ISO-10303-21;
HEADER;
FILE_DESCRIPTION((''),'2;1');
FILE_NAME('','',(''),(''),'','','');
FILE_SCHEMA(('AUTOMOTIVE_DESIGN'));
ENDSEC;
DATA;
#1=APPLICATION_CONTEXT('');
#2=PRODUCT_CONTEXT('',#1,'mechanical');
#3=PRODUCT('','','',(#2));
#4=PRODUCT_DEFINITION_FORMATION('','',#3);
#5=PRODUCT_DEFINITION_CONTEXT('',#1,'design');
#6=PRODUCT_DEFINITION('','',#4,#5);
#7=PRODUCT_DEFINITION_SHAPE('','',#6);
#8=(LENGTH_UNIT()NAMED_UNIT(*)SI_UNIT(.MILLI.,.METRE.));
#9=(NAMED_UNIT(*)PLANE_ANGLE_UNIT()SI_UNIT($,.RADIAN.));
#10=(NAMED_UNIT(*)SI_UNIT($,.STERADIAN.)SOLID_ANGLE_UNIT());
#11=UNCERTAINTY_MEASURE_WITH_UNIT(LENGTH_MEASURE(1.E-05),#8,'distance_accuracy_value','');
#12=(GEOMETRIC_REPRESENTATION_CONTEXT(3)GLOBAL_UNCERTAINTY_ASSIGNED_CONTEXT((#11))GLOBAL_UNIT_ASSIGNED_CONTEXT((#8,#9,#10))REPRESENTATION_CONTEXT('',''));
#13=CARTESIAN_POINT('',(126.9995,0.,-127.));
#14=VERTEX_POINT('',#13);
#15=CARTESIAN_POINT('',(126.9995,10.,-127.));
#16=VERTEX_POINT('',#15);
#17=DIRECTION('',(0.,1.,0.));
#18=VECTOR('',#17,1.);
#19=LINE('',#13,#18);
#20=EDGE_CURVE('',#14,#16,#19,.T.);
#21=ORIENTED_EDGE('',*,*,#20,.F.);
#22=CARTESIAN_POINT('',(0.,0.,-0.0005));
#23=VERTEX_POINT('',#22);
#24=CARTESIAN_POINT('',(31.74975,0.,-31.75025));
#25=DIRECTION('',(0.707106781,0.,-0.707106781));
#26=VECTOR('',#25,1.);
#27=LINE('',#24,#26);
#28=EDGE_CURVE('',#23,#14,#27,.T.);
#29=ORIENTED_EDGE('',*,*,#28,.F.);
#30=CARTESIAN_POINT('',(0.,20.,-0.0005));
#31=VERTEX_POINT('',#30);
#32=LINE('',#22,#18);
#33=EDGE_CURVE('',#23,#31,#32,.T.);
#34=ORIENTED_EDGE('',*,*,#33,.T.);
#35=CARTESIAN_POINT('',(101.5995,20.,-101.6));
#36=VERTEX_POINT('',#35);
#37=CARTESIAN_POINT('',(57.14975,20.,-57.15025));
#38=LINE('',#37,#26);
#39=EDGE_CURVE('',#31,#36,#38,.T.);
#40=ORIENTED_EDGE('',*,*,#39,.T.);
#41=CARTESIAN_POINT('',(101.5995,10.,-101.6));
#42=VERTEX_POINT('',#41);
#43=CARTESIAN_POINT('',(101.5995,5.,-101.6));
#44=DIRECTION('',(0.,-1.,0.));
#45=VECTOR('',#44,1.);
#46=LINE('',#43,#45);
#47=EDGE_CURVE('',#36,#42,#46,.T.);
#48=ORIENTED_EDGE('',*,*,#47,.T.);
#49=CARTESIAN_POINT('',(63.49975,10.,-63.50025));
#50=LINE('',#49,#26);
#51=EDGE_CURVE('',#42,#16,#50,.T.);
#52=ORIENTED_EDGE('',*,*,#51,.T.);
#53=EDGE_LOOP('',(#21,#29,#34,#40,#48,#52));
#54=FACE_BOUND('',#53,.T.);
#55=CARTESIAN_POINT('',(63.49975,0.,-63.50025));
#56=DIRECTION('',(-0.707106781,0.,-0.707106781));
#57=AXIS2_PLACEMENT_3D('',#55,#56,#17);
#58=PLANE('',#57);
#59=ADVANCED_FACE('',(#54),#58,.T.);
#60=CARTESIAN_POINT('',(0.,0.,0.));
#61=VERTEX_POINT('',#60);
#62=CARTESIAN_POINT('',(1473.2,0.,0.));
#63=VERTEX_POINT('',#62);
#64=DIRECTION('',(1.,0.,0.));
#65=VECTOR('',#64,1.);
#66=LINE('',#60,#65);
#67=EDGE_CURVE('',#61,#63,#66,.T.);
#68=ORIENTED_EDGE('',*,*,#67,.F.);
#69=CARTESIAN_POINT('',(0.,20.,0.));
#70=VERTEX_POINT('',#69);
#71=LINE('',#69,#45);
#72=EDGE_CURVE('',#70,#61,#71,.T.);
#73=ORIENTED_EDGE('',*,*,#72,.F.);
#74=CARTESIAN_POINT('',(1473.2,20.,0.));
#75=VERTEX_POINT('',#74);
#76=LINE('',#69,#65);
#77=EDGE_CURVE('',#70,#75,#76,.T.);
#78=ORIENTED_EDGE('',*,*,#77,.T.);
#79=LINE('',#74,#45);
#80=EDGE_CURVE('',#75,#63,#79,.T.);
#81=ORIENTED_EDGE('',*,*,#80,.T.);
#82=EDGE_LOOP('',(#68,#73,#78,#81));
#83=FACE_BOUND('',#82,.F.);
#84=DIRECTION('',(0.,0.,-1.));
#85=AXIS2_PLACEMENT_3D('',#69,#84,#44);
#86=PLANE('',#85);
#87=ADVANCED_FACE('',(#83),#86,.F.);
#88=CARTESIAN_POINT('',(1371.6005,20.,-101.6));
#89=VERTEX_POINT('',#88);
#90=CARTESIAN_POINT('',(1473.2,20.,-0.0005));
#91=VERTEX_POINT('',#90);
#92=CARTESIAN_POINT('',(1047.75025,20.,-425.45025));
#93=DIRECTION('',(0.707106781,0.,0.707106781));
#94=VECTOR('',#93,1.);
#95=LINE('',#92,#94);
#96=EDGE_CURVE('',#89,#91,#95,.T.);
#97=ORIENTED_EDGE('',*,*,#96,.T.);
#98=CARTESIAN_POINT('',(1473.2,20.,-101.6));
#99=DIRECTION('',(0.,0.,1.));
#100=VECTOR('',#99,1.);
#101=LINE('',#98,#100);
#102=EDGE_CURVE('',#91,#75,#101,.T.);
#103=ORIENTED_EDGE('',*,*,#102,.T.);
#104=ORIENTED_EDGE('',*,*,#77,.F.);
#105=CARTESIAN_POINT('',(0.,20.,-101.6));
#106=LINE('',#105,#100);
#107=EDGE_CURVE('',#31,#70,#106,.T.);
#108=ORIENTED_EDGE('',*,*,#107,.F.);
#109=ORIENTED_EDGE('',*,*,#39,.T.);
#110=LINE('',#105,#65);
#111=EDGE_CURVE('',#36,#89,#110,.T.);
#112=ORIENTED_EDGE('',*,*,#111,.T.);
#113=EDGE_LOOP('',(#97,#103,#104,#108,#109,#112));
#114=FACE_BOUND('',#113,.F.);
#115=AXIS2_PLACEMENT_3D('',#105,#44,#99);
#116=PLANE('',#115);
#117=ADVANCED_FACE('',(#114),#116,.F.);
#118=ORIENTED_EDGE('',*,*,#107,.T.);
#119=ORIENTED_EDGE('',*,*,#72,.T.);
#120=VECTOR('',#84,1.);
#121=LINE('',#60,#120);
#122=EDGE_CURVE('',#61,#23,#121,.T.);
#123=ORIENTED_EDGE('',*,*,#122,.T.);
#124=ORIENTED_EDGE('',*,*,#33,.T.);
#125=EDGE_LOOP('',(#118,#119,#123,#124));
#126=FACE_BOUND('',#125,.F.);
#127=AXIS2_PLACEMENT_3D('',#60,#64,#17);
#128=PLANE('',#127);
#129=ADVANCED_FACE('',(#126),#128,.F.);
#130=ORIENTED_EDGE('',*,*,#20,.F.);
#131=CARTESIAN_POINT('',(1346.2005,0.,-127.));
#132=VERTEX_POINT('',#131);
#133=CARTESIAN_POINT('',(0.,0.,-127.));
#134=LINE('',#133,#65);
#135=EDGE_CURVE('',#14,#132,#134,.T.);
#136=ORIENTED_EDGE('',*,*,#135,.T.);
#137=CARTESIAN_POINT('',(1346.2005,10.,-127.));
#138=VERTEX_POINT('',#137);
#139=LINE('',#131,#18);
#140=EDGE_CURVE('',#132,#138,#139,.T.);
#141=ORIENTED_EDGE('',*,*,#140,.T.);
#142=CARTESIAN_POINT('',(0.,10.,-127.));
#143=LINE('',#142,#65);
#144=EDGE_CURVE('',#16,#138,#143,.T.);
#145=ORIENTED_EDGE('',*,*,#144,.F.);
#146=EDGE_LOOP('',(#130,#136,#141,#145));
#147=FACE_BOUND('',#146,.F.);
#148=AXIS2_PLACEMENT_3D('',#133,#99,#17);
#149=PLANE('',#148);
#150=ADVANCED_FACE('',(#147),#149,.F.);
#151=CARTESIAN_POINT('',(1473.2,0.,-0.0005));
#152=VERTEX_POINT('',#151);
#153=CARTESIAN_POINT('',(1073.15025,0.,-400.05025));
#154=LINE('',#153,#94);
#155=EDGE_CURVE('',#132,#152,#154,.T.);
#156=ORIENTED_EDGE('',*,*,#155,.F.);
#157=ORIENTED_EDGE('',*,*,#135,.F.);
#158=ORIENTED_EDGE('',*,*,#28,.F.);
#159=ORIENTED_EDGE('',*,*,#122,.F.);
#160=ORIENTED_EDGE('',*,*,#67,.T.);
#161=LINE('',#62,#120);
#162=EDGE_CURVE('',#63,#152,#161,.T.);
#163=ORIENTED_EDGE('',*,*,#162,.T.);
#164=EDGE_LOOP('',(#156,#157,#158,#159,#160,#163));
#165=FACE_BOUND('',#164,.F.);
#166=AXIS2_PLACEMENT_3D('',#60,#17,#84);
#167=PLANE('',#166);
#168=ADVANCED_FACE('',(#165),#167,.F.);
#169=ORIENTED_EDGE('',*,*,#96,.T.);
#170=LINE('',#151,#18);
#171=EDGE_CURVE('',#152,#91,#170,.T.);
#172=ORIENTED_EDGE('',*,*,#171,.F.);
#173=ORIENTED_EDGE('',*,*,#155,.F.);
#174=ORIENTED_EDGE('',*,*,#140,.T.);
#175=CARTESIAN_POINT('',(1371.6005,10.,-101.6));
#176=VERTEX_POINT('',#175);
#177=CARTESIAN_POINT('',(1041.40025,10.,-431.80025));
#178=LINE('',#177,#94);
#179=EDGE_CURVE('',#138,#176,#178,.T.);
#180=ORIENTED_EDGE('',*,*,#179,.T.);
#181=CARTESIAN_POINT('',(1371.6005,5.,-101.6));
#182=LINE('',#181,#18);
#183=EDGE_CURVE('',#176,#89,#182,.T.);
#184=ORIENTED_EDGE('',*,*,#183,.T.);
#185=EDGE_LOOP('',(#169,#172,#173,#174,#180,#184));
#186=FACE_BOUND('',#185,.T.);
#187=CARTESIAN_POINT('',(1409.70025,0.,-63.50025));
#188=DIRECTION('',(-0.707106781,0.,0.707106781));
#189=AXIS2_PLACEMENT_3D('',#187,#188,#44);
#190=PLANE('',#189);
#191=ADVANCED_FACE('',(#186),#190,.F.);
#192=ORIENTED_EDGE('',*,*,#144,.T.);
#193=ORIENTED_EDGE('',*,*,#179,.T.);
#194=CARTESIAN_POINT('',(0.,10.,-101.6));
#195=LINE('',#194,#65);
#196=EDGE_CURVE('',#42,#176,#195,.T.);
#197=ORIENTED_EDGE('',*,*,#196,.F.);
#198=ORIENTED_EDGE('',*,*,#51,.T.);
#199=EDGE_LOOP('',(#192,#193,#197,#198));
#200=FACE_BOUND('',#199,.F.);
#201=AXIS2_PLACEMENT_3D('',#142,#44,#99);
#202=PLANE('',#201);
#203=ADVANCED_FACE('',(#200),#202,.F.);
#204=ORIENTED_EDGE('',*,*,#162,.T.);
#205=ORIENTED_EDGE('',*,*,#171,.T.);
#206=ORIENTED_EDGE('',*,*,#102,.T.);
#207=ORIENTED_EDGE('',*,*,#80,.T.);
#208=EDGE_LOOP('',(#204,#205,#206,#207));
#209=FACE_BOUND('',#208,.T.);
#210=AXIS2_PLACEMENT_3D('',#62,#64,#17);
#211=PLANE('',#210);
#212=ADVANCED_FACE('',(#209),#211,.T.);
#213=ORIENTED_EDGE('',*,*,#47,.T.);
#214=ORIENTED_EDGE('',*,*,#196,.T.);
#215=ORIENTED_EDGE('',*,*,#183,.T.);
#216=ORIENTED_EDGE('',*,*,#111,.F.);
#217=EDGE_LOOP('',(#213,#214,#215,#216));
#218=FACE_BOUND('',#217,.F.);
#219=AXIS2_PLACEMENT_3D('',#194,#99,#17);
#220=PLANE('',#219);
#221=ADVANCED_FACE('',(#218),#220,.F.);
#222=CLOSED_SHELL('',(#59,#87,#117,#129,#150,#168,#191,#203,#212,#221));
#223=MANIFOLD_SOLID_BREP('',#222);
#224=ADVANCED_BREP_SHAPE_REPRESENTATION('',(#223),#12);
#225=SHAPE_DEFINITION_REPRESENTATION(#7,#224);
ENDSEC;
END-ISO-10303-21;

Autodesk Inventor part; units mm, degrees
ref_plane "YZ Plane" through (0, 0, 0) normal (1, 0, 0) x (0, 1, 0)
ref_plane "XZ Plane" through (0, 0, 0) normal (0, 1, 0) x (-1, 0, 0)
ref_plane "XY Plane" through (0, 0, 0) normal (0, 0, 1) x (1, 0, 0)
sketch "Sketch1" plane through (0, 0, 0) normal (1, 0, 0) x (0, 1, 0)
  line L0 (0, 0) -> (0, -127)
  line L1 (0, -127) -> (10, -127)
  line L2 (10, -127) -> (10, -101.6)
  line L3 (10, -101.6) -> (20, -101.6)
  line L4 (20, -101.6) -> (20, 0)
  line L5 (20, 0) -> (0, 0)
  dimension "d0" = 127
  dimension "d1" = 10
  dimension "d2" = 25.4
  dimension "d3" = 10
extrude "Extrusion1" add sketch "Sketch1" along normal blind 1473.2
chamfer "Chamfer1" distance 127 angle 45 1 edges at (1473.2, 5, -127)
chamfer "Chamfer2" distance 127 angle 45 1 edges at (0, 5, -127)
properties part number "SkirtLength" material "Wood (Birch)"
